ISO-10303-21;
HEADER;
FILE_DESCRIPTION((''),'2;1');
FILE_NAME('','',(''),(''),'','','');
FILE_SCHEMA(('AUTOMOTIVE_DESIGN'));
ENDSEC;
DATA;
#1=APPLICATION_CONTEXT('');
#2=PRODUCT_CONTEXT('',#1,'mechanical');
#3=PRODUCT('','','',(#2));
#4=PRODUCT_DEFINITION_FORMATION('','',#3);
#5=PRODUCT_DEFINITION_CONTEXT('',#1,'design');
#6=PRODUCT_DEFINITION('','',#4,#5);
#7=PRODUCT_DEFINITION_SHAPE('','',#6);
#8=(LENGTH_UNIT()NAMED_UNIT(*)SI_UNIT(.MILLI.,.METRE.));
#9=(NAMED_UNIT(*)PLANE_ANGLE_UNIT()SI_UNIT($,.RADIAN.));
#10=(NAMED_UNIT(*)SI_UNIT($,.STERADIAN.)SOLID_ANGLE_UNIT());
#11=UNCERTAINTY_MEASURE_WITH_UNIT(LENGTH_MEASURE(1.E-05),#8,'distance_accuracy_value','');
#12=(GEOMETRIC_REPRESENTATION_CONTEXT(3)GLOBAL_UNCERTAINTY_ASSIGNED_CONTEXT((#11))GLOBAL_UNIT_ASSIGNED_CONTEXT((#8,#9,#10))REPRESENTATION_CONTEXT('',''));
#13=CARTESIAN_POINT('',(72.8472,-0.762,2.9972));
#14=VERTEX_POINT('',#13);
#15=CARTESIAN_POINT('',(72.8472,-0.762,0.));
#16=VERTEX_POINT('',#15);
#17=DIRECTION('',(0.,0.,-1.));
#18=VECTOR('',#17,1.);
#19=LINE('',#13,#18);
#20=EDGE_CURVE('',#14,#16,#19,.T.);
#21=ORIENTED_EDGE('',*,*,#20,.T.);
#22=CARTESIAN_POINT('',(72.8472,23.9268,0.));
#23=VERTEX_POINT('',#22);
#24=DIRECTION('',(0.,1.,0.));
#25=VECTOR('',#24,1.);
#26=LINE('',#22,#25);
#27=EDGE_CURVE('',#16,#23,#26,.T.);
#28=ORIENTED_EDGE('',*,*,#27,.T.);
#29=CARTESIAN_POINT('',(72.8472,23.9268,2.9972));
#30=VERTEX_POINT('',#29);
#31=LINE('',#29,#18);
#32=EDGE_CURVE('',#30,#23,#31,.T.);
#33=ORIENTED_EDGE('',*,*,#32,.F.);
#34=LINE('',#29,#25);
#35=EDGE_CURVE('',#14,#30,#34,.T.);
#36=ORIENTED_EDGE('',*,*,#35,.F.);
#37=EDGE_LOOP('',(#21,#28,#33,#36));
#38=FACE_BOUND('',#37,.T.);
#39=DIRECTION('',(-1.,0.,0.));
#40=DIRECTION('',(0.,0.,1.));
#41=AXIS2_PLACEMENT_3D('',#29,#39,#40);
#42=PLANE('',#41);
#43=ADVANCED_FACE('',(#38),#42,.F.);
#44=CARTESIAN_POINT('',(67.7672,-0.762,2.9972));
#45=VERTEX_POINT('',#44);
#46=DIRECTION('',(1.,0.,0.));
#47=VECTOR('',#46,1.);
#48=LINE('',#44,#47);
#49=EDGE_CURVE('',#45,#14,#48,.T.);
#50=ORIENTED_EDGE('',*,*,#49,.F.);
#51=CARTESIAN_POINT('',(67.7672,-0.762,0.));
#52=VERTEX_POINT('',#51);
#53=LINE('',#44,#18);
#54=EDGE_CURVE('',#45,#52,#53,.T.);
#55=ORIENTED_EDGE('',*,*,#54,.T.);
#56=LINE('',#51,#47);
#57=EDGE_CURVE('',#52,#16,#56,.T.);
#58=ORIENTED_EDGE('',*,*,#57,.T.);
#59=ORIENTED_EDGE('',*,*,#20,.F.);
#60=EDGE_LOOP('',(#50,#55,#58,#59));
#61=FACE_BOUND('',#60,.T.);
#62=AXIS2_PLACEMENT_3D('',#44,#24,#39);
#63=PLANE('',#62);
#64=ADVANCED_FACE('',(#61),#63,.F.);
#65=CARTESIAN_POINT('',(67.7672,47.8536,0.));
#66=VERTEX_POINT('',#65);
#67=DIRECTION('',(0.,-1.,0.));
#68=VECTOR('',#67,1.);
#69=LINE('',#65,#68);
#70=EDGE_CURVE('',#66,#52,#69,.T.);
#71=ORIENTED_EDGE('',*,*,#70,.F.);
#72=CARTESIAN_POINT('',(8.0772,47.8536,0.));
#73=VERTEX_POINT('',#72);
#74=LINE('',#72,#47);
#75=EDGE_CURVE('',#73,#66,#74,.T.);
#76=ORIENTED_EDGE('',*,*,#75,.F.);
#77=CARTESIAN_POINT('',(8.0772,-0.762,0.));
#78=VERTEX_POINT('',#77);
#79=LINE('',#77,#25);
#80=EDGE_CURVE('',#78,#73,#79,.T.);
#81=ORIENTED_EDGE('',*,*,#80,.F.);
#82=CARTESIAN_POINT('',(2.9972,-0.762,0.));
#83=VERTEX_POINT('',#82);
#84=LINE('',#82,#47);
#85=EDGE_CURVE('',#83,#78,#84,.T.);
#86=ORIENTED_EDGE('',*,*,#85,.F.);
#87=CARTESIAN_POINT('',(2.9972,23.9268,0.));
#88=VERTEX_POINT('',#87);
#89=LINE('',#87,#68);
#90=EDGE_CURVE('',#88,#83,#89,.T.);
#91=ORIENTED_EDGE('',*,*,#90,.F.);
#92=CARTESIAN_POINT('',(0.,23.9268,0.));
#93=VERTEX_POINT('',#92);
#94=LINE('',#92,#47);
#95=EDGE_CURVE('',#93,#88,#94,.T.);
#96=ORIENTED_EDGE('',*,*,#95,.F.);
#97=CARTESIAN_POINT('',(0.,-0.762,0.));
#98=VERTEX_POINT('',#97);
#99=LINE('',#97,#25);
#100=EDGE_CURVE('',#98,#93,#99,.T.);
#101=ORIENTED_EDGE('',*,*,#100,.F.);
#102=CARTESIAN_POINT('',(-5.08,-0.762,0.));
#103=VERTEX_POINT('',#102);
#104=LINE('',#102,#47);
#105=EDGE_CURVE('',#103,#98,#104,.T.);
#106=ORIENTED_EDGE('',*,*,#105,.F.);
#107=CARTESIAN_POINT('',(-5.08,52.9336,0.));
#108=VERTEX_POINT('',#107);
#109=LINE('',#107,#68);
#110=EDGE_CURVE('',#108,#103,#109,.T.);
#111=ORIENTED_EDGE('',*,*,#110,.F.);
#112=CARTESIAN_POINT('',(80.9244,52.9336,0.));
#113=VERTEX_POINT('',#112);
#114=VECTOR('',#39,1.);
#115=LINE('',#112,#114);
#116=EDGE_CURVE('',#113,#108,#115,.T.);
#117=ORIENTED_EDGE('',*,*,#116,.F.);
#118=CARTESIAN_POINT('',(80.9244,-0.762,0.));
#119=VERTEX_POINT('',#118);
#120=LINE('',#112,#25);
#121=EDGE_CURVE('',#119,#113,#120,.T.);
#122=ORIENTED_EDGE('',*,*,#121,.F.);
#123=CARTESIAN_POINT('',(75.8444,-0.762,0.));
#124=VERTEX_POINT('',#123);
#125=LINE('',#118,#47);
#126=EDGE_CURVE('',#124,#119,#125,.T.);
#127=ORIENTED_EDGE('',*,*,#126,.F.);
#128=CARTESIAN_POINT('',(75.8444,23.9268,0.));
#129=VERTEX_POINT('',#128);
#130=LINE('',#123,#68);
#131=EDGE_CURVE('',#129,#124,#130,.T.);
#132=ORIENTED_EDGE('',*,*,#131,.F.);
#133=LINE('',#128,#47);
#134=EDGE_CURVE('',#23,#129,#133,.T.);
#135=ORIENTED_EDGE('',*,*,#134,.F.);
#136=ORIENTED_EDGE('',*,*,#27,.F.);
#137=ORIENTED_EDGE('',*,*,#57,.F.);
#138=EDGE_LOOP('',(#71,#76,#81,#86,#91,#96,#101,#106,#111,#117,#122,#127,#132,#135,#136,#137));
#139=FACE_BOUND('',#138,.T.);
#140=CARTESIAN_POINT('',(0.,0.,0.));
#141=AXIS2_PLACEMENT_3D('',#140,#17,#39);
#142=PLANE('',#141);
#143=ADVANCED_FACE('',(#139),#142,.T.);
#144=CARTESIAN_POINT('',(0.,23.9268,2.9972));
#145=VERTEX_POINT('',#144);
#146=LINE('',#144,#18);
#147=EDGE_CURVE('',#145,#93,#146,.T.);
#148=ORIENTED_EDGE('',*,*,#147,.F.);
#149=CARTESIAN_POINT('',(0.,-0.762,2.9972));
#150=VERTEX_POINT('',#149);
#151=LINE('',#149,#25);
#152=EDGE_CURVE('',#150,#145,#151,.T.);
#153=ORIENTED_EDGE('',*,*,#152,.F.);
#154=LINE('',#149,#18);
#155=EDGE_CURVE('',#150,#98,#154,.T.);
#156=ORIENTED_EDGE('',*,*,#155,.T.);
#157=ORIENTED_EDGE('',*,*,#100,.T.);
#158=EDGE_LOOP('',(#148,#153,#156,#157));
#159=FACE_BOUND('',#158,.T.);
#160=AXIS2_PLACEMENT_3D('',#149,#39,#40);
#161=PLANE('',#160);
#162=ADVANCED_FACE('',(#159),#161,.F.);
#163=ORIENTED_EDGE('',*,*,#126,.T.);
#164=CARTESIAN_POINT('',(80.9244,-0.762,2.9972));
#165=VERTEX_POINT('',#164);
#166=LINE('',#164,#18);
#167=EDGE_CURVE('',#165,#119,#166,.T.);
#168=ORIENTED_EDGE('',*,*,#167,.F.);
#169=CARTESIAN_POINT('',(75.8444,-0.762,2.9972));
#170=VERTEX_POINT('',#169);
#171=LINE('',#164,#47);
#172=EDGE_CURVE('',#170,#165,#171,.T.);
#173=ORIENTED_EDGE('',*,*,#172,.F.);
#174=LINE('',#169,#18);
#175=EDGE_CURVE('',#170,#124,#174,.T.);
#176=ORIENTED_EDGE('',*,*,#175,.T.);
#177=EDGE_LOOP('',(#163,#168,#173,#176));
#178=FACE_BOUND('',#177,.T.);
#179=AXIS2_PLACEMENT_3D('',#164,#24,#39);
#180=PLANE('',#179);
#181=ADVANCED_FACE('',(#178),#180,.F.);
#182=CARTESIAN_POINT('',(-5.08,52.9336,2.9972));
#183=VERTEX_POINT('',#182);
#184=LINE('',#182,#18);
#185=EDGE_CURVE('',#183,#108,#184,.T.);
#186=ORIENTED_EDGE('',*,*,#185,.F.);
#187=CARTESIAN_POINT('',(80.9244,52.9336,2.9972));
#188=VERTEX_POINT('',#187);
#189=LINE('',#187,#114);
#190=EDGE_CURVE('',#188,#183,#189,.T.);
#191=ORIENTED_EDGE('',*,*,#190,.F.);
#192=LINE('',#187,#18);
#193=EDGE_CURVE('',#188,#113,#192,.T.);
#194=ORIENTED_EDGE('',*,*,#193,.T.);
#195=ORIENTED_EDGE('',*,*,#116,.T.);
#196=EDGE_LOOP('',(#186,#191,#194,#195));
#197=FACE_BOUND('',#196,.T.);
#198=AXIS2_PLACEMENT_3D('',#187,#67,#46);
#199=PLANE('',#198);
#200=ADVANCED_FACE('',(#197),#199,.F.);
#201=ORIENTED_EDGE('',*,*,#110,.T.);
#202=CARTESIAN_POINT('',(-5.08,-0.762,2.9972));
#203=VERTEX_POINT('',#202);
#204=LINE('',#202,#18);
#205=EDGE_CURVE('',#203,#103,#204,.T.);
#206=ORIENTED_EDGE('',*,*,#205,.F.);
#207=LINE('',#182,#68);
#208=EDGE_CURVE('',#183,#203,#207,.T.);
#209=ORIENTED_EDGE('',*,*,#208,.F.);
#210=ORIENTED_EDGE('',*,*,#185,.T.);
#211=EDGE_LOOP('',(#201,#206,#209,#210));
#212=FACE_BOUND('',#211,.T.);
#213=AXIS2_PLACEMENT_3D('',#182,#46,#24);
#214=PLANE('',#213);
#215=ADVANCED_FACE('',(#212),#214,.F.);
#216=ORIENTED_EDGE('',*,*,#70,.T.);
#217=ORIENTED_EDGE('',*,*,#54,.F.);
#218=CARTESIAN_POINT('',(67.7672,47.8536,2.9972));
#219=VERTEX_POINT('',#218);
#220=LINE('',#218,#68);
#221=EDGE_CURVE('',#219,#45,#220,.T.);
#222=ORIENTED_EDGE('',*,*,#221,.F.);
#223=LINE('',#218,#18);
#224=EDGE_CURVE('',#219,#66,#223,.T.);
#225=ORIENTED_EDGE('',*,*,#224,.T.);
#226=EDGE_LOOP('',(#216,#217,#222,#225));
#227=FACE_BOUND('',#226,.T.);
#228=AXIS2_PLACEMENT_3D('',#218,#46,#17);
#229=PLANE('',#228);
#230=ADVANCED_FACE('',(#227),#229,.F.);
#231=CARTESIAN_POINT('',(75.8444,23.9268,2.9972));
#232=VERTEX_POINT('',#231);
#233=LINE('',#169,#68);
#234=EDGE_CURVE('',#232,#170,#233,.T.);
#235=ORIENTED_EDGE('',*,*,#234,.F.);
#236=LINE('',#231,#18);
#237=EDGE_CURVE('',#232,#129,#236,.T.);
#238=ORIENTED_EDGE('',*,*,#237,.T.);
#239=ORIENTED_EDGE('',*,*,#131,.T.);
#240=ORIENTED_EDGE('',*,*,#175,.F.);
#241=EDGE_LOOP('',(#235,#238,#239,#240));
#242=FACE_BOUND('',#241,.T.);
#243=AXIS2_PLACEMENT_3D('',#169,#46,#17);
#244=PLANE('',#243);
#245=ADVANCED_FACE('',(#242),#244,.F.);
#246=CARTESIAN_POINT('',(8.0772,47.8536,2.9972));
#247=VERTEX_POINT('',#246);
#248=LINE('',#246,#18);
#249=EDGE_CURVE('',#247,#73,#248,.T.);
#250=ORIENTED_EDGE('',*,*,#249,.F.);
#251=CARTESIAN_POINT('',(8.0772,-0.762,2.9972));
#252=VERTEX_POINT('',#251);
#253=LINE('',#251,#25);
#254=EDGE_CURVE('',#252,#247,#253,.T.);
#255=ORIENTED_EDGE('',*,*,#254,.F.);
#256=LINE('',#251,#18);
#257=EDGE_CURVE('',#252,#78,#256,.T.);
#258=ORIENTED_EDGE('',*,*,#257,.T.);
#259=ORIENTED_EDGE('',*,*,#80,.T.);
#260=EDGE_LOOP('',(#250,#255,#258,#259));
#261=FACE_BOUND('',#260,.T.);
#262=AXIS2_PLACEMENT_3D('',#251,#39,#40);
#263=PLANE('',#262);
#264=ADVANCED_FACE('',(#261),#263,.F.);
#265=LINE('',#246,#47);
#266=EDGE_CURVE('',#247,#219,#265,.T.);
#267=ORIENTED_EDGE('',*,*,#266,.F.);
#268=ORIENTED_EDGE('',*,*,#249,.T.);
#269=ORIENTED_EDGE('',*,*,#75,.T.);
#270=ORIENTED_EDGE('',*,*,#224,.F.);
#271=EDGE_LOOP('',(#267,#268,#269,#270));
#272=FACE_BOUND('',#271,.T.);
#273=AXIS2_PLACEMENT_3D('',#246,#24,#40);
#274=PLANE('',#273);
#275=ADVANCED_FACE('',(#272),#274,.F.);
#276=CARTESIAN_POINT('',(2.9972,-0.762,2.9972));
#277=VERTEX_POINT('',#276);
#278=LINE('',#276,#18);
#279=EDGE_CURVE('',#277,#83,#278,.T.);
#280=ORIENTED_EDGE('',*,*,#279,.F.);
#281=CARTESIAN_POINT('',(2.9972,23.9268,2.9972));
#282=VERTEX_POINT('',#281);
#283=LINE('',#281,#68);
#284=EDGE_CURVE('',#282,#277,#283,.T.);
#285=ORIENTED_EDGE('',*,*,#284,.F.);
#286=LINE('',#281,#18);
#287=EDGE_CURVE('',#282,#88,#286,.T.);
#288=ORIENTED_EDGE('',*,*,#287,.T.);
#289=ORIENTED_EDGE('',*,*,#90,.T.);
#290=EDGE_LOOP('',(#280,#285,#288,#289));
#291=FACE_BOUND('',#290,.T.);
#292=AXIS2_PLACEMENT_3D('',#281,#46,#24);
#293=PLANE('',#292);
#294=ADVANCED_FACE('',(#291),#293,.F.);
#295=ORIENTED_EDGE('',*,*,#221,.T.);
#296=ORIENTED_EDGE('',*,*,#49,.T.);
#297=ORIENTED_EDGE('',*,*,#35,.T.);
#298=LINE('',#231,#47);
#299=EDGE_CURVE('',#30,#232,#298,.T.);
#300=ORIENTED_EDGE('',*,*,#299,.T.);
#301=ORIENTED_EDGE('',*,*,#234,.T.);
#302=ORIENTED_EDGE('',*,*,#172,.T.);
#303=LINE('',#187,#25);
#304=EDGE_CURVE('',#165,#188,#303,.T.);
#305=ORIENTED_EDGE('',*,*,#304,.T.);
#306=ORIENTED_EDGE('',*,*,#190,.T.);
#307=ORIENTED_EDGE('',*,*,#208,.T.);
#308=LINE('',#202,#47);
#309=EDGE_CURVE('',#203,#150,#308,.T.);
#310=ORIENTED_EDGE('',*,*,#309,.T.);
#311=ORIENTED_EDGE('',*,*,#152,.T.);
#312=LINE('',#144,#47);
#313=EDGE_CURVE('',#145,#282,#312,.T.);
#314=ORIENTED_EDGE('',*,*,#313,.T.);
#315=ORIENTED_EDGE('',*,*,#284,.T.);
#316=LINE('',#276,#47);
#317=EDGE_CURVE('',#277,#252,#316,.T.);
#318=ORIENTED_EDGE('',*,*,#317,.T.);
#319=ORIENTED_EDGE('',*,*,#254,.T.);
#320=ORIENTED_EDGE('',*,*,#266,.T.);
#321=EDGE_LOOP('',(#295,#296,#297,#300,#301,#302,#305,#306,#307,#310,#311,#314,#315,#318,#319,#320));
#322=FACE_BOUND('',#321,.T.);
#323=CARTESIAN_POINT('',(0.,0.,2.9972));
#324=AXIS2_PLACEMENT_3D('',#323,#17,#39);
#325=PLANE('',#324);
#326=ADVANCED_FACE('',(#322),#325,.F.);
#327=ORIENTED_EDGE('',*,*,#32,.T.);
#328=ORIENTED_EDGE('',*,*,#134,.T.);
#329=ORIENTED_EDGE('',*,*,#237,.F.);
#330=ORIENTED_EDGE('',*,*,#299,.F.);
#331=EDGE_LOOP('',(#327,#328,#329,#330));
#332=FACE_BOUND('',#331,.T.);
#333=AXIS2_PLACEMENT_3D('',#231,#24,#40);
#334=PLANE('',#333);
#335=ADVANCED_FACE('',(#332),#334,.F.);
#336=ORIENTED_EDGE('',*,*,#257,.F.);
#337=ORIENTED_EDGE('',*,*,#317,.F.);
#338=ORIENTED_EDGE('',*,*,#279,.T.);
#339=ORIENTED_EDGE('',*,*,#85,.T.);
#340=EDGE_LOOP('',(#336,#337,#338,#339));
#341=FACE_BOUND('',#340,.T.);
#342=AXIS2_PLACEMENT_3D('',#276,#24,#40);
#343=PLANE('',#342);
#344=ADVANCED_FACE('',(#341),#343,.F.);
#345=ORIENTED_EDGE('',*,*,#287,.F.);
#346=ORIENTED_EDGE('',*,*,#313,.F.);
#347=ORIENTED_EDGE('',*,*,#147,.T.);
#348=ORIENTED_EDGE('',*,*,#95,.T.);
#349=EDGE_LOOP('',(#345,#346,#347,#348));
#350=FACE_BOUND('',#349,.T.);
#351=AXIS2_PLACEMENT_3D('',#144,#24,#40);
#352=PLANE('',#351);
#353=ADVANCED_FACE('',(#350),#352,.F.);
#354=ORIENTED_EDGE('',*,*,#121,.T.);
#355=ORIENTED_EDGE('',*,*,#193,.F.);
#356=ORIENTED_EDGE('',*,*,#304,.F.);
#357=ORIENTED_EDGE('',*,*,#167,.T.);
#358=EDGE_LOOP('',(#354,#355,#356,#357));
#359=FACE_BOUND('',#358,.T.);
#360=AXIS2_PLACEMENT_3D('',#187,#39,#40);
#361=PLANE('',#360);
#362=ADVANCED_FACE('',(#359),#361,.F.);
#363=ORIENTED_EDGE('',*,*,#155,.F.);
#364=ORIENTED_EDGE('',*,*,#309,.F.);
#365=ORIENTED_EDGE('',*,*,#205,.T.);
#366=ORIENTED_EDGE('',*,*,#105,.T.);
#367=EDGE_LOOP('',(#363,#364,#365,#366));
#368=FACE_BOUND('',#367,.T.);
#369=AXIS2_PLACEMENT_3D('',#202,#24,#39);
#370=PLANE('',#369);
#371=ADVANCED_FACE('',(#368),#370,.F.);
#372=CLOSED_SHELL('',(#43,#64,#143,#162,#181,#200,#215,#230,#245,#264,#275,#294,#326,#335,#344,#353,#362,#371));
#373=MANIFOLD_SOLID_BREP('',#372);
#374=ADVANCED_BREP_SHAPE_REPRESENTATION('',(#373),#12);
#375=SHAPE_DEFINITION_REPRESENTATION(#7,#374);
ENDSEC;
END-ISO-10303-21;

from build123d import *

# Parameters (mm, degrees)
BOSS_EXTRUDE1_DEPTH = 2.9972


with BuildPart() as part:
    # Sketch1 → Boss-Extrude1 (new body)
    with BuildSketch(Plane.XY):
        Polygon((0, 23.9268), (2.9972, 23.9268), (2.9972, -0.762), (8.0772, -0.762), (8.0772, 47.8536), (67.7672, 47.8536), (67.7672, -0.762), (72.8472, -0.762), (72.8472, 23.9268), (75.8444, 23.9268), (75.8444, -0.762), (80.9244, -0.762), (80.9244, 52.9336), (-5.08, 52.9336), (-5.08, -0.762), (0, -0.762), align=None)
    extrude(amount=BOSS_EXTRUDE1_DEPTH)


solid = part.part
